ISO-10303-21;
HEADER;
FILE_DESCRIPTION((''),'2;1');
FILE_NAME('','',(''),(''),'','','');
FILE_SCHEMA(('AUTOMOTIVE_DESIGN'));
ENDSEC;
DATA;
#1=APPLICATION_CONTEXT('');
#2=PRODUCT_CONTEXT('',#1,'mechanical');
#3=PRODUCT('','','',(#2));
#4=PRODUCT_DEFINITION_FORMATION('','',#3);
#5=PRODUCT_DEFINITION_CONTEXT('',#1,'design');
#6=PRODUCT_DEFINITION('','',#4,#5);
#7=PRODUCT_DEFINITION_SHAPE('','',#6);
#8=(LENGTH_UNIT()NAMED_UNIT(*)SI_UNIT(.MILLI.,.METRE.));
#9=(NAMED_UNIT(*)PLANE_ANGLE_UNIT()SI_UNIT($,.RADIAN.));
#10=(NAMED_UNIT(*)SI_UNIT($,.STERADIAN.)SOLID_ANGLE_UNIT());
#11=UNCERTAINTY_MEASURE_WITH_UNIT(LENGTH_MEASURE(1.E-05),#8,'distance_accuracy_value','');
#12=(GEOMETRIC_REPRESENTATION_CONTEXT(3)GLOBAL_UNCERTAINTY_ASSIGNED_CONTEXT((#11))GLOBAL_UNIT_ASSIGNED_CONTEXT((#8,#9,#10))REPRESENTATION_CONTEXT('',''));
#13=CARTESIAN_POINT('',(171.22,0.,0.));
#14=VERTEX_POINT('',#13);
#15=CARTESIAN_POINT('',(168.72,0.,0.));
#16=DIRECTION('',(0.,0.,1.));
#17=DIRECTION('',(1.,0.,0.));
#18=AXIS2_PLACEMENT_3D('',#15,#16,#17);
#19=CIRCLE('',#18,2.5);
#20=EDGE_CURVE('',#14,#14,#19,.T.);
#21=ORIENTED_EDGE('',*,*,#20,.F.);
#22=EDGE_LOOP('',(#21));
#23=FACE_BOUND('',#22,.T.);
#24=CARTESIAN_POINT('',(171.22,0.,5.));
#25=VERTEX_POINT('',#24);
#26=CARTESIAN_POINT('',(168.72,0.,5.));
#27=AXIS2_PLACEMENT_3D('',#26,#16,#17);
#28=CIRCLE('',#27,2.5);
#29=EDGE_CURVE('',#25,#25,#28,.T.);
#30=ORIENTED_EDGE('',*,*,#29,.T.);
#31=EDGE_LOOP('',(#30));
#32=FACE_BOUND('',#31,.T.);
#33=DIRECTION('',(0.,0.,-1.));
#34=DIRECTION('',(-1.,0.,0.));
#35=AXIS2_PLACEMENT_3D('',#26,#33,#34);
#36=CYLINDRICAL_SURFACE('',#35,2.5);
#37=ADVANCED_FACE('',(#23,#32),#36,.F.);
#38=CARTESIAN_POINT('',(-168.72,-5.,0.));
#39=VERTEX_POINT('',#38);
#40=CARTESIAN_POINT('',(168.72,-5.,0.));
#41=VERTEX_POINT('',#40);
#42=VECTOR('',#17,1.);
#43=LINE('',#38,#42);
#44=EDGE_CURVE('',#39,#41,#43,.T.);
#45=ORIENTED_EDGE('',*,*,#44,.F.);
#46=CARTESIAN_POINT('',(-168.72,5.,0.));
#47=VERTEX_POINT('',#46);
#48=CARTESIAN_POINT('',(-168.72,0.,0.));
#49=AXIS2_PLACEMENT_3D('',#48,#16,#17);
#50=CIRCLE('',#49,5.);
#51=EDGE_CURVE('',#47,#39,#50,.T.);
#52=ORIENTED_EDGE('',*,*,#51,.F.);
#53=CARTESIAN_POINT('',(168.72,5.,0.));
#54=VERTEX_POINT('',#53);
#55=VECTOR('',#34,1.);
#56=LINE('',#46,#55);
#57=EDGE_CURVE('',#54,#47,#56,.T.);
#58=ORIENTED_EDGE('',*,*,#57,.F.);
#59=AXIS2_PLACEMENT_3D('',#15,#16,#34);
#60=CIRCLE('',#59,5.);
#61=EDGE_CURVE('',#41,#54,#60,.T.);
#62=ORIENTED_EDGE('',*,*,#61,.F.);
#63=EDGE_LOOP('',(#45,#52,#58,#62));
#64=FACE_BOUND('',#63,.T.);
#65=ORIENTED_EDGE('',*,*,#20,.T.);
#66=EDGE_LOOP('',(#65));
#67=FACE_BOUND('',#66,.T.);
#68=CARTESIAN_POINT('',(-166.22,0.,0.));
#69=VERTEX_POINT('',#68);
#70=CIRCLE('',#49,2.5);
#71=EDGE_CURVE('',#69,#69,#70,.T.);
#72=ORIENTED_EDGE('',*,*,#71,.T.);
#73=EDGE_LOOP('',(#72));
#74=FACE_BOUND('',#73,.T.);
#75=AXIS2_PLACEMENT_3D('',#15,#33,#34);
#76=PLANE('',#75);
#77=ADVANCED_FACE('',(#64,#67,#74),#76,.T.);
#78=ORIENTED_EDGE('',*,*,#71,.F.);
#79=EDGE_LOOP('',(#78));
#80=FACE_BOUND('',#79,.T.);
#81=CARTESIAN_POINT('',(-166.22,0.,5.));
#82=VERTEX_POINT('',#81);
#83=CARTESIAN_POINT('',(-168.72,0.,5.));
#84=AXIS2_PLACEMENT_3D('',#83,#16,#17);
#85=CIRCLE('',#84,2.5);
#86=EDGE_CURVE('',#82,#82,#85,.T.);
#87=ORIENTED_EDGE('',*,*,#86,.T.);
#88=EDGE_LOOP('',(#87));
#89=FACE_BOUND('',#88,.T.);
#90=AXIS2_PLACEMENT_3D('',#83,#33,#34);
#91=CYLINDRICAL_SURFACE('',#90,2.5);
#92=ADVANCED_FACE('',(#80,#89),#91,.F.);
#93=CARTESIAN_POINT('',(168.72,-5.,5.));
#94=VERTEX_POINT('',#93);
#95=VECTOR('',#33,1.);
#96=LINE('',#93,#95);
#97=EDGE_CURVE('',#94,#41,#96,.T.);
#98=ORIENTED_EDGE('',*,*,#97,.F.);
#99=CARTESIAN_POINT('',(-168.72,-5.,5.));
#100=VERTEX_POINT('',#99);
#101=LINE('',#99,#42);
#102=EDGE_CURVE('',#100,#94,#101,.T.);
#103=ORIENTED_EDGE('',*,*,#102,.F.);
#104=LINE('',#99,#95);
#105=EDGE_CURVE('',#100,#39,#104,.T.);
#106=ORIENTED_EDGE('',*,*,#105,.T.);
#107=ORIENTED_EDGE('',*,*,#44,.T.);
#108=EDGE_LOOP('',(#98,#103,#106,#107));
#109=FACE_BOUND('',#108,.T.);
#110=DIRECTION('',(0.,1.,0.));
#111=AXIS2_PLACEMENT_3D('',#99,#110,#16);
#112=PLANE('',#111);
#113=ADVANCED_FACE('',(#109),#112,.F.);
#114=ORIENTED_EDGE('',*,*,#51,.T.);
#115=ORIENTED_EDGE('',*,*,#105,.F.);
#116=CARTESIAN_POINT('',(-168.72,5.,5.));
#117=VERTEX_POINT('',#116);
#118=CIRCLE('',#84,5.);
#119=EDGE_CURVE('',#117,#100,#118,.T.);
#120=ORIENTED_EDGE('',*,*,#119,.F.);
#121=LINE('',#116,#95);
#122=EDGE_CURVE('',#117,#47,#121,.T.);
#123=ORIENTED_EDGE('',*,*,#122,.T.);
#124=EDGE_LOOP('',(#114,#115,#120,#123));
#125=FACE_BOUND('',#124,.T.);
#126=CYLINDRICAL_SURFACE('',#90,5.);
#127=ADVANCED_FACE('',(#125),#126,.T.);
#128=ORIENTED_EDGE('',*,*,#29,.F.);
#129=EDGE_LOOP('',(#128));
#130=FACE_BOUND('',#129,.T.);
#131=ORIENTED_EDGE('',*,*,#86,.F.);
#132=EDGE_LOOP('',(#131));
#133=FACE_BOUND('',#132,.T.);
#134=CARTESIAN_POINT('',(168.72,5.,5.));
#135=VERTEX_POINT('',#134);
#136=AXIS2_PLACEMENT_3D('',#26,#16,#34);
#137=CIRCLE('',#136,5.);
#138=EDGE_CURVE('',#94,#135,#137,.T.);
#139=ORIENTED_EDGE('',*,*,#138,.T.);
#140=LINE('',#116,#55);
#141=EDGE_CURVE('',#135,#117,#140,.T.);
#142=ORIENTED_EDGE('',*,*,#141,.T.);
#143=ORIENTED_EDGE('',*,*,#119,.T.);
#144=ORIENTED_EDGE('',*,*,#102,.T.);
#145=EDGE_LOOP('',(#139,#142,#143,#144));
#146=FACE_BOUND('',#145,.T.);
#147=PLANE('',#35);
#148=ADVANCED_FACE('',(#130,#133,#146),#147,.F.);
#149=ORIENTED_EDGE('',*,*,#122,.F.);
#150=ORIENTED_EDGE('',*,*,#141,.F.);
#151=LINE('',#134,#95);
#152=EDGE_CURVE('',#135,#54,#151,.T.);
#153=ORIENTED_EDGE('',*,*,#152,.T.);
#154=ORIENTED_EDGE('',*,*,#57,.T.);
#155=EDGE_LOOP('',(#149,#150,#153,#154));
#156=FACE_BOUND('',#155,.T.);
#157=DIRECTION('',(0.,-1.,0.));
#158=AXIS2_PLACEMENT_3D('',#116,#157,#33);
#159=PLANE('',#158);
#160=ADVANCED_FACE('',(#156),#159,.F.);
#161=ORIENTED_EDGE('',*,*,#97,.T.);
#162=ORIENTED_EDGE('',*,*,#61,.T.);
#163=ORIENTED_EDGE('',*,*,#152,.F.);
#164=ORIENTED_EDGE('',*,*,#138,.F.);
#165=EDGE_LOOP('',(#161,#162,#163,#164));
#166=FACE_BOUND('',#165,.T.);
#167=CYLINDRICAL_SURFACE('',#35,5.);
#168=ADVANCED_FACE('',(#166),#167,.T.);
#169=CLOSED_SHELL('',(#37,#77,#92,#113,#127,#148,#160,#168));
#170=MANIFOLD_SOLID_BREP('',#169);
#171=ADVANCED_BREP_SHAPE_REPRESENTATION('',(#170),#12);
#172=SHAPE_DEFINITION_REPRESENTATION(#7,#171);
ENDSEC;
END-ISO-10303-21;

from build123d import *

# Parameters (mm, degrees)
ESBO_O1_R                = 2.5
RESSALTO_EXTRUS_O1_DEPTH = 5


with BuildPart() as part:
    # Esboço1 → Ressalto-extrusão1 (new body)
    with BuildSketch(Plane.XY):
        with BuildLine():
            Line((-168.72, 5), (168.72, 5))
            ThreePointArc((168.72, 5), (173.72, 0), (168.72, -5))
            Line((168.72, -5), (-168.72, -5))
            ThreePointArc((-168.72, -5), (-173.72, 0), (-168.72, 5))
        make_face()
        with Locations((-168.72, 0)):
            Circle(ESBO_O1_R, mode=Mode.SUBTRACT)
        with Locations((168.72, 0)):
            Circle(ESBO_O1_R, mode=Mode.SUBTRACT)
    extrude(amount=RESSALTO_EXTRUS_O1_DEPTH)


solid = part.part
